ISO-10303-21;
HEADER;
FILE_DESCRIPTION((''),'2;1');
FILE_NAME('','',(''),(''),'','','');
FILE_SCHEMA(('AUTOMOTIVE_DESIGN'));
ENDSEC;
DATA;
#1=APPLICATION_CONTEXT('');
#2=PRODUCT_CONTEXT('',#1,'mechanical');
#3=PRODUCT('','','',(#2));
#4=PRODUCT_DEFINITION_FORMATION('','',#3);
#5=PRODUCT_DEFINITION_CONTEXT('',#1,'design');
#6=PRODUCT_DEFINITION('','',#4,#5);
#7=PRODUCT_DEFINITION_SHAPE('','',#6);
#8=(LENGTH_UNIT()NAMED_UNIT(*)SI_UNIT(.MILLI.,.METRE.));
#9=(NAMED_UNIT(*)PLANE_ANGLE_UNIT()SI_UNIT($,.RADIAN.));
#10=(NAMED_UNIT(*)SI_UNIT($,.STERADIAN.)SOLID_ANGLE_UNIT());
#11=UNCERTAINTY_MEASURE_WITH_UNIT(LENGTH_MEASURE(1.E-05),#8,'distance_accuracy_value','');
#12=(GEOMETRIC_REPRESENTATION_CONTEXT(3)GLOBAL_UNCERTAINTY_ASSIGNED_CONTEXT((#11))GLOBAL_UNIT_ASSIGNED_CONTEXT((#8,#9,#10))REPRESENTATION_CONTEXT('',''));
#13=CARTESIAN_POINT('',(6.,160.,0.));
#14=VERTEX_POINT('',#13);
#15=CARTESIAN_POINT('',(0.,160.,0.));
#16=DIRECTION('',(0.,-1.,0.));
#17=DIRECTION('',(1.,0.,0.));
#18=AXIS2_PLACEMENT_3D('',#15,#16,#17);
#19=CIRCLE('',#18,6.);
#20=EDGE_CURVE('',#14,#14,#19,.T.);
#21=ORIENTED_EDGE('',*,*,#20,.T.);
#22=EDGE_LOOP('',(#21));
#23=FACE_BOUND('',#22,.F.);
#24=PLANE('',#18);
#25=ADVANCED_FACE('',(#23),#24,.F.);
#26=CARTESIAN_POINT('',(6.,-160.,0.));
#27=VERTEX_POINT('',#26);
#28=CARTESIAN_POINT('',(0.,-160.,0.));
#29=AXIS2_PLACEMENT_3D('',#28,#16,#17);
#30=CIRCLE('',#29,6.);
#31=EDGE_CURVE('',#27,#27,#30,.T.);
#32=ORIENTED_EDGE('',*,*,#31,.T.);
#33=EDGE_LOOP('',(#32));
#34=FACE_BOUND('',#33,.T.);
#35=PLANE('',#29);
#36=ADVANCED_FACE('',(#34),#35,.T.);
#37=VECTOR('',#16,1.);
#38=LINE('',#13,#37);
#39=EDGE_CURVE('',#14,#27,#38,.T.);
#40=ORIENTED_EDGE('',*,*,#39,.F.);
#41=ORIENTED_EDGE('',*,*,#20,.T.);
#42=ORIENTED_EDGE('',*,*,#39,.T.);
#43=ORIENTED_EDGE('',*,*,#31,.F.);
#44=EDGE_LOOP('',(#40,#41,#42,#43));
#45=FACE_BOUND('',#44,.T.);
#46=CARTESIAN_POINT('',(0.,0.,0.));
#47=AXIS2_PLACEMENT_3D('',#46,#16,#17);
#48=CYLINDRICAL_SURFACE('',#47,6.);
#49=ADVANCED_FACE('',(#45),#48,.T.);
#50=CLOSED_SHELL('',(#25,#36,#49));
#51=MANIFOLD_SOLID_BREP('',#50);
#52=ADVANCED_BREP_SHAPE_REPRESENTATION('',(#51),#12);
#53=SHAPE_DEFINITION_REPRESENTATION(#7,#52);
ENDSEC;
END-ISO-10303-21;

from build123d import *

# Parameters (mm, degrees)
SKETCH_R  = 6
PAD_DEPTH = 160


with BuildPart() as part:
    # Sketch → Pad (new body, symmetric)
    with BuildSketch(Plane.XZ):
        Circle(SKETCH_R)
    extrude(amount=PAD_DEPTH, both=True)


solid = part.part
